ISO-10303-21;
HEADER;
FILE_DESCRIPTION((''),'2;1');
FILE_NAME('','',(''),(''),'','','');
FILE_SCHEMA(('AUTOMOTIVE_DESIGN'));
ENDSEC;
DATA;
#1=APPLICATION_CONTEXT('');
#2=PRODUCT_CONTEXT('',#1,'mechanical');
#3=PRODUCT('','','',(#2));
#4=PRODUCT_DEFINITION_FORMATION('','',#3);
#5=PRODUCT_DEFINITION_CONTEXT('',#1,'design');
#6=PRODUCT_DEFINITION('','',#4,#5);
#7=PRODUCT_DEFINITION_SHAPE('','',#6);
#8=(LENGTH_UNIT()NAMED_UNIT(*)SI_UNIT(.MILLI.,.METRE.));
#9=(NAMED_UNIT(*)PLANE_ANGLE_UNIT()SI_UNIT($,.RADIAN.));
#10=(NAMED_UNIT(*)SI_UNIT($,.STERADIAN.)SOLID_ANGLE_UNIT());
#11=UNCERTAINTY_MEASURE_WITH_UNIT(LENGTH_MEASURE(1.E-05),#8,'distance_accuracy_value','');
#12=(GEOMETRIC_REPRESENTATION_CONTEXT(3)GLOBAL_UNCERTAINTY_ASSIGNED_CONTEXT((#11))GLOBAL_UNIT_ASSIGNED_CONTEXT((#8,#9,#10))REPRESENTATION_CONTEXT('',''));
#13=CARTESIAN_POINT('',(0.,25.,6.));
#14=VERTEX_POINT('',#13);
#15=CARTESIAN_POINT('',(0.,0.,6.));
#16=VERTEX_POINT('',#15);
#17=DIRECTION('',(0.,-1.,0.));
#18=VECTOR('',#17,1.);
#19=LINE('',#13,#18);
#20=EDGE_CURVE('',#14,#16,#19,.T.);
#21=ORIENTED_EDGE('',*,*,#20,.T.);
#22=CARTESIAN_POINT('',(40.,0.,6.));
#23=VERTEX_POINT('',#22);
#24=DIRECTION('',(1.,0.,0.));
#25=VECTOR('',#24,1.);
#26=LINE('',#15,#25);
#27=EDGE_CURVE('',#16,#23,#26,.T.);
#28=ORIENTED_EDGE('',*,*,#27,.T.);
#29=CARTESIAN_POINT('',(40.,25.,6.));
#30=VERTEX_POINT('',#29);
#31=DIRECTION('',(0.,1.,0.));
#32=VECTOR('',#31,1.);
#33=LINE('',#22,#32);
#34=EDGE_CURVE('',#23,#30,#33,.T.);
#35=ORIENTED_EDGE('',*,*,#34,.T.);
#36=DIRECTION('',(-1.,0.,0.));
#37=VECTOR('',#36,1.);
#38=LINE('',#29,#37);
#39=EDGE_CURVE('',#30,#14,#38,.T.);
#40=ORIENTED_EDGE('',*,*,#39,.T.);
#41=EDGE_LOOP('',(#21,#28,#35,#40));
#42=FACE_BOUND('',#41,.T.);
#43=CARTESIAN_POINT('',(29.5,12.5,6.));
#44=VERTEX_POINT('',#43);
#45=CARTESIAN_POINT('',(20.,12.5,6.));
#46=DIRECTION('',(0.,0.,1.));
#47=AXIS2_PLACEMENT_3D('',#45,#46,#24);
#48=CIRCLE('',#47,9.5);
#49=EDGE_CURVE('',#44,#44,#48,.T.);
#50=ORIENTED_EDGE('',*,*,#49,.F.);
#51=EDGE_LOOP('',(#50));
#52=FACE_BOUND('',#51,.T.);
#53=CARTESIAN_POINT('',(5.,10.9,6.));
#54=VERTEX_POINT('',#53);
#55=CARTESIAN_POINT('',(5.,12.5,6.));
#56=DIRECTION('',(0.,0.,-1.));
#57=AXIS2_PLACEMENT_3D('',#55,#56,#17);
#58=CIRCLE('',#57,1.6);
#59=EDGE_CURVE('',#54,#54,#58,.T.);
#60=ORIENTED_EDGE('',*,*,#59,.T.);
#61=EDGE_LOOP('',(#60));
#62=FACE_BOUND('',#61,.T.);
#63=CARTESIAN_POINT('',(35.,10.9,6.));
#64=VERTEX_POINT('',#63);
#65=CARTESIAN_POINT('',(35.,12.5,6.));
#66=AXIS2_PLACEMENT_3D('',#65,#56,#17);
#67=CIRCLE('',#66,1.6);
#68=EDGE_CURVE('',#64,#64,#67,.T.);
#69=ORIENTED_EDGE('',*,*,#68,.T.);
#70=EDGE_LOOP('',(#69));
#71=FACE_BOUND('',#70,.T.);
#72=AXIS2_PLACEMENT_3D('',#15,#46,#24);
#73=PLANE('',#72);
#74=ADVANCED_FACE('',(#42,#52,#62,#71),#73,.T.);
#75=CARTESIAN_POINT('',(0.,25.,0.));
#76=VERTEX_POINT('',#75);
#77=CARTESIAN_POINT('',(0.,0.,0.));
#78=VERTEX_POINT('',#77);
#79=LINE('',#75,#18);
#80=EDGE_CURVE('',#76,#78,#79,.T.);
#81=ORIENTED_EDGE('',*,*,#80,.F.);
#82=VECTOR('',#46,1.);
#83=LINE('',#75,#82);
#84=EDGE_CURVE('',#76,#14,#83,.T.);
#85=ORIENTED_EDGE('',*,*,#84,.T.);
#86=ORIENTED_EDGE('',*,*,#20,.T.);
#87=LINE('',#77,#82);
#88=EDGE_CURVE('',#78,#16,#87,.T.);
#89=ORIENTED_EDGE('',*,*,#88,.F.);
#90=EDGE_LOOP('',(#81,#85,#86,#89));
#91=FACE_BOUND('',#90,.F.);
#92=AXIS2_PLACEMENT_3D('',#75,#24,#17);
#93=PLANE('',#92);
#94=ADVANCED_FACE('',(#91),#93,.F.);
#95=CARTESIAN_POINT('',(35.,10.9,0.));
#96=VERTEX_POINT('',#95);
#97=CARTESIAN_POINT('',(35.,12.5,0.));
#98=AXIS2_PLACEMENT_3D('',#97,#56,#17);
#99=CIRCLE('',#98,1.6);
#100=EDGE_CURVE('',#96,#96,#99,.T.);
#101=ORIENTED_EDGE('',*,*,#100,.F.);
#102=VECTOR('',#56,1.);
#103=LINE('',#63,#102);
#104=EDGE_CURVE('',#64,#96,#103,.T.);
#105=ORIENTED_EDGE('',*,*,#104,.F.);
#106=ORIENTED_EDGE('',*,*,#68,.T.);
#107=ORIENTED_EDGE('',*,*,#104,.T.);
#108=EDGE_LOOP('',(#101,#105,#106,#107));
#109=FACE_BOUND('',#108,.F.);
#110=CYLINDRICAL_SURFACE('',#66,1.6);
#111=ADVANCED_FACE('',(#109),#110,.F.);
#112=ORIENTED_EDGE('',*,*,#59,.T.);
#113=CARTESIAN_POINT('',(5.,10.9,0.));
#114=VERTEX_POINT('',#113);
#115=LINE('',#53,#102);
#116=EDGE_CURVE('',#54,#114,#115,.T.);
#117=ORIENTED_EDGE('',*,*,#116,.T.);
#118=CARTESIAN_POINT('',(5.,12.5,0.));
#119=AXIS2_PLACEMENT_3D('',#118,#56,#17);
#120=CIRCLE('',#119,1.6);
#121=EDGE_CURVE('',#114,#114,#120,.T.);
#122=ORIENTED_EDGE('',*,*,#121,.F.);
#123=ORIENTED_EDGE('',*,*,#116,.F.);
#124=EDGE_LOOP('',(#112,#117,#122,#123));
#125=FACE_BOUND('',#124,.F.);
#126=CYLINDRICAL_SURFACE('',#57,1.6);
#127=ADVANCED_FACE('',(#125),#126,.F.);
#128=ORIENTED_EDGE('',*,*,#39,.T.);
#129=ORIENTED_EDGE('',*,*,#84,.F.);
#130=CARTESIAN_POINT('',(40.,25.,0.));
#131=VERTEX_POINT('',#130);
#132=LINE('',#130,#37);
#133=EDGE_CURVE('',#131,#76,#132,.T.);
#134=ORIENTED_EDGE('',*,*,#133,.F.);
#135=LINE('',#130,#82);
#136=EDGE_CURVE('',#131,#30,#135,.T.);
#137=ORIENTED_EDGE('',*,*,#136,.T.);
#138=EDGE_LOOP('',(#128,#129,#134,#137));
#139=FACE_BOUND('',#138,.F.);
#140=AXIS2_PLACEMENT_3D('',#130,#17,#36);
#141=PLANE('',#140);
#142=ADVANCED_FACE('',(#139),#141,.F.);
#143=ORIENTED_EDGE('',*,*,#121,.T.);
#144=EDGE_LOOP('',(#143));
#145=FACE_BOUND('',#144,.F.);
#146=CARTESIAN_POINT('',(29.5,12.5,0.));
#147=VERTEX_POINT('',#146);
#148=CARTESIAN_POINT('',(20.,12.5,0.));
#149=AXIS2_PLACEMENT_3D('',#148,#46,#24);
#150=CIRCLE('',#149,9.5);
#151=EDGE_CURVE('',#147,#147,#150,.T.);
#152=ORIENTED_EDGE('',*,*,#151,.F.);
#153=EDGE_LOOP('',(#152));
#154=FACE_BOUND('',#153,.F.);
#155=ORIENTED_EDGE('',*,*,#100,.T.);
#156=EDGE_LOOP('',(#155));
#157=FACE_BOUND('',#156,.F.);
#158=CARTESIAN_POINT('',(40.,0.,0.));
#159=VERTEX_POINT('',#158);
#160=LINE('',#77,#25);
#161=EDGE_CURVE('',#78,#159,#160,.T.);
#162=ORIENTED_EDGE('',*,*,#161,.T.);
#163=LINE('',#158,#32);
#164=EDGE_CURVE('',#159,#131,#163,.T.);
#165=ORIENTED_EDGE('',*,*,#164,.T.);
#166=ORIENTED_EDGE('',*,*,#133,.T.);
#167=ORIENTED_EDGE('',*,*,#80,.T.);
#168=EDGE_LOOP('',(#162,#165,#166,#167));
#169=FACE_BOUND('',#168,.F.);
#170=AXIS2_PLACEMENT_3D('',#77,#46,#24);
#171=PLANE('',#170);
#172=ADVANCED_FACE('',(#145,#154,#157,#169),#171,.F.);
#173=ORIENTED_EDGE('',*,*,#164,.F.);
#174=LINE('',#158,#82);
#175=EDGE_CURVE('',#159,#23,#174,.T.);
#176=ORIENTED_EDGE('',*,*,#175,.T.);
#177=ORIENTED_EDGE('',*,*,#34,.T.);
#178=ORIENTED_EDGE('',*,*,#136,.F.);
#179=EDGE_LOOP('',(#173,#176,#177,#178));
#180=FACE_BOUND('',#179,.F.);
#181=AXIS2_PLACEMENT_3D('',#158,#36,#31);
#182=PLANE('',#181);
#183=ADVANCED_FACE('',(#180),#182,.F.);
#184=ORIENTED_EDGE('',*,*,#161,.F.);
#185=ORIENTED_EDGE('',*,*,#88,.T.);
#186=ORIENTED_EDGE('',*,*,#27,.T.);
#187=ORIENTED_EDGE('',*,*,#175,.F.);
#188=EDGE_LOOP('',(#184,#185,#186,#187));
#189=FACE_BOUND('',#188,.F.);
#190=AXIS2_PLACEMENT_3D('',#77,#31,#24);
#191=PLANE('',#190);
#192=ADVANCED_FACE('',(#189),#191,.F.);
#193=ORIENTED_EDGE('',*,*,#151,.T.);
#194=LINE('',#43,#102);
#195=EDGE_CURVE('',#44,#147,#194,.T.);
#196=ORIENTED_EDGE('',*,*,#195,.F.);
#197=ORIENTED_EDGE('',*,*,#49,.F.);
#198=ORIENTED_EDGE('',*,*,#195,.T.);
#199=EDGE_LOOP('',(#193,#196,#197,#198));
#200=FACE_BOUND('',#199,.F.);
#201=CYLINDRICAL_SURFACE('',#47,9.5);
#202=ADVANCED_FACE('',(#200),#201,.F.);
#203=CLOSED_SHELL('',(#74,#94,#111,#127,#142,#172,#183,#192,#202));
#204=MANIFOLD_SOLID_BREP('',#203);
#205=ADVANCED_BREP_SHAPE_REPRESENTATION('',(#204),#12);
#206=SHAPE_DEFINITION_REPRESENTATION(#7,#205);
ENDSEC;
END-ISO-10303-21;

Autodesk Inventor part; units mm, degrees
ref_plane "YZ Plane" through (0, 0, 0) normal (1, 0, 0) x (0, 1, 0)
ref_plane "XZ Plane" through (0, 0, 0) normal (0, 1, 0) x (-1, 0, 0)
ref_plane "XY Plane" through (0, 0, 0) normal (0, 0, 1) x (1, 0, 0)
sketch "スケッチ1" plane through (0, 0, 0) normal (0, 0, 1) x (1, 0, 0)
  line L0 (0, 0) -> (40, 0)
  line L1 (40, 0) -> (40, 25)
  line L2 (40, 25) -> (0, 25)
  line L3 (0, 25) -> (0, 0)
  dimension "d0" = 40
  dimension "d1" = 25
extrude "押し出し1" add sketch "スケッチ1" along normal blind 6
sketch "スケッチ2" plane through (0, 0, 6) normal (0, 0, 1) x (1, 0, 0)
  circle A0 centre (20, 12.5) radius 9.5
  line L0 (0, 0) -> (40, 0) projected
  line L1 (0, 25) -> (0, 0) projected
  dimension "d4" = 19
  dimension "d5" = 12.5
  dimension "d6" = 20
extrude "押し出し2" cut sketch "スケッチ2" against normal blind 6
sketch "スケッチ3" plane through (0, 0, 6) normal (0, 0, 1) x (1, 0, 0)
  circle A0 centre (5, 12.5) radius 1.6
  circle A1 centre (35, 12.5) radius 1.6
  line L0 (0, 25) -> (0, 0) projected
  line L1 (0, 0) -> (40, 0) projected
  line L2 (40, 0) -> (40, 25) projected
  dimension "d9" = 3.2
  dimension "d10" = 3.2
  dimension "d11" = 5
  dimension "d12" = 12.5
  dimension "d13" = 5
  dimension "d14" = 12.5
hole "穴1" at (5, 12.5, 6) at (35, 12.5, 6) direction (0, 0, -1) diameter 3.2 depth 6
equation "\"BendRadius\" = Thickness"
equation "\"BendReliefWidth\" = Thickness"
equation "\"BendReliefDepth\" = 0.5 * Thickness"
equation "\"CornerReliefSize\" = 4 * Thickness"
equation "\"MinimumRemnant\" = 2 * Thickness"
equation "\"TransitionRadius\" = BendRadius"
equation "\"JacobiRadiusSize\" = BendRadius"
equation "\"GapSize\" = Thickness"
equation "\"Thickness\" = 0.5"
properties part number "nhk46"
